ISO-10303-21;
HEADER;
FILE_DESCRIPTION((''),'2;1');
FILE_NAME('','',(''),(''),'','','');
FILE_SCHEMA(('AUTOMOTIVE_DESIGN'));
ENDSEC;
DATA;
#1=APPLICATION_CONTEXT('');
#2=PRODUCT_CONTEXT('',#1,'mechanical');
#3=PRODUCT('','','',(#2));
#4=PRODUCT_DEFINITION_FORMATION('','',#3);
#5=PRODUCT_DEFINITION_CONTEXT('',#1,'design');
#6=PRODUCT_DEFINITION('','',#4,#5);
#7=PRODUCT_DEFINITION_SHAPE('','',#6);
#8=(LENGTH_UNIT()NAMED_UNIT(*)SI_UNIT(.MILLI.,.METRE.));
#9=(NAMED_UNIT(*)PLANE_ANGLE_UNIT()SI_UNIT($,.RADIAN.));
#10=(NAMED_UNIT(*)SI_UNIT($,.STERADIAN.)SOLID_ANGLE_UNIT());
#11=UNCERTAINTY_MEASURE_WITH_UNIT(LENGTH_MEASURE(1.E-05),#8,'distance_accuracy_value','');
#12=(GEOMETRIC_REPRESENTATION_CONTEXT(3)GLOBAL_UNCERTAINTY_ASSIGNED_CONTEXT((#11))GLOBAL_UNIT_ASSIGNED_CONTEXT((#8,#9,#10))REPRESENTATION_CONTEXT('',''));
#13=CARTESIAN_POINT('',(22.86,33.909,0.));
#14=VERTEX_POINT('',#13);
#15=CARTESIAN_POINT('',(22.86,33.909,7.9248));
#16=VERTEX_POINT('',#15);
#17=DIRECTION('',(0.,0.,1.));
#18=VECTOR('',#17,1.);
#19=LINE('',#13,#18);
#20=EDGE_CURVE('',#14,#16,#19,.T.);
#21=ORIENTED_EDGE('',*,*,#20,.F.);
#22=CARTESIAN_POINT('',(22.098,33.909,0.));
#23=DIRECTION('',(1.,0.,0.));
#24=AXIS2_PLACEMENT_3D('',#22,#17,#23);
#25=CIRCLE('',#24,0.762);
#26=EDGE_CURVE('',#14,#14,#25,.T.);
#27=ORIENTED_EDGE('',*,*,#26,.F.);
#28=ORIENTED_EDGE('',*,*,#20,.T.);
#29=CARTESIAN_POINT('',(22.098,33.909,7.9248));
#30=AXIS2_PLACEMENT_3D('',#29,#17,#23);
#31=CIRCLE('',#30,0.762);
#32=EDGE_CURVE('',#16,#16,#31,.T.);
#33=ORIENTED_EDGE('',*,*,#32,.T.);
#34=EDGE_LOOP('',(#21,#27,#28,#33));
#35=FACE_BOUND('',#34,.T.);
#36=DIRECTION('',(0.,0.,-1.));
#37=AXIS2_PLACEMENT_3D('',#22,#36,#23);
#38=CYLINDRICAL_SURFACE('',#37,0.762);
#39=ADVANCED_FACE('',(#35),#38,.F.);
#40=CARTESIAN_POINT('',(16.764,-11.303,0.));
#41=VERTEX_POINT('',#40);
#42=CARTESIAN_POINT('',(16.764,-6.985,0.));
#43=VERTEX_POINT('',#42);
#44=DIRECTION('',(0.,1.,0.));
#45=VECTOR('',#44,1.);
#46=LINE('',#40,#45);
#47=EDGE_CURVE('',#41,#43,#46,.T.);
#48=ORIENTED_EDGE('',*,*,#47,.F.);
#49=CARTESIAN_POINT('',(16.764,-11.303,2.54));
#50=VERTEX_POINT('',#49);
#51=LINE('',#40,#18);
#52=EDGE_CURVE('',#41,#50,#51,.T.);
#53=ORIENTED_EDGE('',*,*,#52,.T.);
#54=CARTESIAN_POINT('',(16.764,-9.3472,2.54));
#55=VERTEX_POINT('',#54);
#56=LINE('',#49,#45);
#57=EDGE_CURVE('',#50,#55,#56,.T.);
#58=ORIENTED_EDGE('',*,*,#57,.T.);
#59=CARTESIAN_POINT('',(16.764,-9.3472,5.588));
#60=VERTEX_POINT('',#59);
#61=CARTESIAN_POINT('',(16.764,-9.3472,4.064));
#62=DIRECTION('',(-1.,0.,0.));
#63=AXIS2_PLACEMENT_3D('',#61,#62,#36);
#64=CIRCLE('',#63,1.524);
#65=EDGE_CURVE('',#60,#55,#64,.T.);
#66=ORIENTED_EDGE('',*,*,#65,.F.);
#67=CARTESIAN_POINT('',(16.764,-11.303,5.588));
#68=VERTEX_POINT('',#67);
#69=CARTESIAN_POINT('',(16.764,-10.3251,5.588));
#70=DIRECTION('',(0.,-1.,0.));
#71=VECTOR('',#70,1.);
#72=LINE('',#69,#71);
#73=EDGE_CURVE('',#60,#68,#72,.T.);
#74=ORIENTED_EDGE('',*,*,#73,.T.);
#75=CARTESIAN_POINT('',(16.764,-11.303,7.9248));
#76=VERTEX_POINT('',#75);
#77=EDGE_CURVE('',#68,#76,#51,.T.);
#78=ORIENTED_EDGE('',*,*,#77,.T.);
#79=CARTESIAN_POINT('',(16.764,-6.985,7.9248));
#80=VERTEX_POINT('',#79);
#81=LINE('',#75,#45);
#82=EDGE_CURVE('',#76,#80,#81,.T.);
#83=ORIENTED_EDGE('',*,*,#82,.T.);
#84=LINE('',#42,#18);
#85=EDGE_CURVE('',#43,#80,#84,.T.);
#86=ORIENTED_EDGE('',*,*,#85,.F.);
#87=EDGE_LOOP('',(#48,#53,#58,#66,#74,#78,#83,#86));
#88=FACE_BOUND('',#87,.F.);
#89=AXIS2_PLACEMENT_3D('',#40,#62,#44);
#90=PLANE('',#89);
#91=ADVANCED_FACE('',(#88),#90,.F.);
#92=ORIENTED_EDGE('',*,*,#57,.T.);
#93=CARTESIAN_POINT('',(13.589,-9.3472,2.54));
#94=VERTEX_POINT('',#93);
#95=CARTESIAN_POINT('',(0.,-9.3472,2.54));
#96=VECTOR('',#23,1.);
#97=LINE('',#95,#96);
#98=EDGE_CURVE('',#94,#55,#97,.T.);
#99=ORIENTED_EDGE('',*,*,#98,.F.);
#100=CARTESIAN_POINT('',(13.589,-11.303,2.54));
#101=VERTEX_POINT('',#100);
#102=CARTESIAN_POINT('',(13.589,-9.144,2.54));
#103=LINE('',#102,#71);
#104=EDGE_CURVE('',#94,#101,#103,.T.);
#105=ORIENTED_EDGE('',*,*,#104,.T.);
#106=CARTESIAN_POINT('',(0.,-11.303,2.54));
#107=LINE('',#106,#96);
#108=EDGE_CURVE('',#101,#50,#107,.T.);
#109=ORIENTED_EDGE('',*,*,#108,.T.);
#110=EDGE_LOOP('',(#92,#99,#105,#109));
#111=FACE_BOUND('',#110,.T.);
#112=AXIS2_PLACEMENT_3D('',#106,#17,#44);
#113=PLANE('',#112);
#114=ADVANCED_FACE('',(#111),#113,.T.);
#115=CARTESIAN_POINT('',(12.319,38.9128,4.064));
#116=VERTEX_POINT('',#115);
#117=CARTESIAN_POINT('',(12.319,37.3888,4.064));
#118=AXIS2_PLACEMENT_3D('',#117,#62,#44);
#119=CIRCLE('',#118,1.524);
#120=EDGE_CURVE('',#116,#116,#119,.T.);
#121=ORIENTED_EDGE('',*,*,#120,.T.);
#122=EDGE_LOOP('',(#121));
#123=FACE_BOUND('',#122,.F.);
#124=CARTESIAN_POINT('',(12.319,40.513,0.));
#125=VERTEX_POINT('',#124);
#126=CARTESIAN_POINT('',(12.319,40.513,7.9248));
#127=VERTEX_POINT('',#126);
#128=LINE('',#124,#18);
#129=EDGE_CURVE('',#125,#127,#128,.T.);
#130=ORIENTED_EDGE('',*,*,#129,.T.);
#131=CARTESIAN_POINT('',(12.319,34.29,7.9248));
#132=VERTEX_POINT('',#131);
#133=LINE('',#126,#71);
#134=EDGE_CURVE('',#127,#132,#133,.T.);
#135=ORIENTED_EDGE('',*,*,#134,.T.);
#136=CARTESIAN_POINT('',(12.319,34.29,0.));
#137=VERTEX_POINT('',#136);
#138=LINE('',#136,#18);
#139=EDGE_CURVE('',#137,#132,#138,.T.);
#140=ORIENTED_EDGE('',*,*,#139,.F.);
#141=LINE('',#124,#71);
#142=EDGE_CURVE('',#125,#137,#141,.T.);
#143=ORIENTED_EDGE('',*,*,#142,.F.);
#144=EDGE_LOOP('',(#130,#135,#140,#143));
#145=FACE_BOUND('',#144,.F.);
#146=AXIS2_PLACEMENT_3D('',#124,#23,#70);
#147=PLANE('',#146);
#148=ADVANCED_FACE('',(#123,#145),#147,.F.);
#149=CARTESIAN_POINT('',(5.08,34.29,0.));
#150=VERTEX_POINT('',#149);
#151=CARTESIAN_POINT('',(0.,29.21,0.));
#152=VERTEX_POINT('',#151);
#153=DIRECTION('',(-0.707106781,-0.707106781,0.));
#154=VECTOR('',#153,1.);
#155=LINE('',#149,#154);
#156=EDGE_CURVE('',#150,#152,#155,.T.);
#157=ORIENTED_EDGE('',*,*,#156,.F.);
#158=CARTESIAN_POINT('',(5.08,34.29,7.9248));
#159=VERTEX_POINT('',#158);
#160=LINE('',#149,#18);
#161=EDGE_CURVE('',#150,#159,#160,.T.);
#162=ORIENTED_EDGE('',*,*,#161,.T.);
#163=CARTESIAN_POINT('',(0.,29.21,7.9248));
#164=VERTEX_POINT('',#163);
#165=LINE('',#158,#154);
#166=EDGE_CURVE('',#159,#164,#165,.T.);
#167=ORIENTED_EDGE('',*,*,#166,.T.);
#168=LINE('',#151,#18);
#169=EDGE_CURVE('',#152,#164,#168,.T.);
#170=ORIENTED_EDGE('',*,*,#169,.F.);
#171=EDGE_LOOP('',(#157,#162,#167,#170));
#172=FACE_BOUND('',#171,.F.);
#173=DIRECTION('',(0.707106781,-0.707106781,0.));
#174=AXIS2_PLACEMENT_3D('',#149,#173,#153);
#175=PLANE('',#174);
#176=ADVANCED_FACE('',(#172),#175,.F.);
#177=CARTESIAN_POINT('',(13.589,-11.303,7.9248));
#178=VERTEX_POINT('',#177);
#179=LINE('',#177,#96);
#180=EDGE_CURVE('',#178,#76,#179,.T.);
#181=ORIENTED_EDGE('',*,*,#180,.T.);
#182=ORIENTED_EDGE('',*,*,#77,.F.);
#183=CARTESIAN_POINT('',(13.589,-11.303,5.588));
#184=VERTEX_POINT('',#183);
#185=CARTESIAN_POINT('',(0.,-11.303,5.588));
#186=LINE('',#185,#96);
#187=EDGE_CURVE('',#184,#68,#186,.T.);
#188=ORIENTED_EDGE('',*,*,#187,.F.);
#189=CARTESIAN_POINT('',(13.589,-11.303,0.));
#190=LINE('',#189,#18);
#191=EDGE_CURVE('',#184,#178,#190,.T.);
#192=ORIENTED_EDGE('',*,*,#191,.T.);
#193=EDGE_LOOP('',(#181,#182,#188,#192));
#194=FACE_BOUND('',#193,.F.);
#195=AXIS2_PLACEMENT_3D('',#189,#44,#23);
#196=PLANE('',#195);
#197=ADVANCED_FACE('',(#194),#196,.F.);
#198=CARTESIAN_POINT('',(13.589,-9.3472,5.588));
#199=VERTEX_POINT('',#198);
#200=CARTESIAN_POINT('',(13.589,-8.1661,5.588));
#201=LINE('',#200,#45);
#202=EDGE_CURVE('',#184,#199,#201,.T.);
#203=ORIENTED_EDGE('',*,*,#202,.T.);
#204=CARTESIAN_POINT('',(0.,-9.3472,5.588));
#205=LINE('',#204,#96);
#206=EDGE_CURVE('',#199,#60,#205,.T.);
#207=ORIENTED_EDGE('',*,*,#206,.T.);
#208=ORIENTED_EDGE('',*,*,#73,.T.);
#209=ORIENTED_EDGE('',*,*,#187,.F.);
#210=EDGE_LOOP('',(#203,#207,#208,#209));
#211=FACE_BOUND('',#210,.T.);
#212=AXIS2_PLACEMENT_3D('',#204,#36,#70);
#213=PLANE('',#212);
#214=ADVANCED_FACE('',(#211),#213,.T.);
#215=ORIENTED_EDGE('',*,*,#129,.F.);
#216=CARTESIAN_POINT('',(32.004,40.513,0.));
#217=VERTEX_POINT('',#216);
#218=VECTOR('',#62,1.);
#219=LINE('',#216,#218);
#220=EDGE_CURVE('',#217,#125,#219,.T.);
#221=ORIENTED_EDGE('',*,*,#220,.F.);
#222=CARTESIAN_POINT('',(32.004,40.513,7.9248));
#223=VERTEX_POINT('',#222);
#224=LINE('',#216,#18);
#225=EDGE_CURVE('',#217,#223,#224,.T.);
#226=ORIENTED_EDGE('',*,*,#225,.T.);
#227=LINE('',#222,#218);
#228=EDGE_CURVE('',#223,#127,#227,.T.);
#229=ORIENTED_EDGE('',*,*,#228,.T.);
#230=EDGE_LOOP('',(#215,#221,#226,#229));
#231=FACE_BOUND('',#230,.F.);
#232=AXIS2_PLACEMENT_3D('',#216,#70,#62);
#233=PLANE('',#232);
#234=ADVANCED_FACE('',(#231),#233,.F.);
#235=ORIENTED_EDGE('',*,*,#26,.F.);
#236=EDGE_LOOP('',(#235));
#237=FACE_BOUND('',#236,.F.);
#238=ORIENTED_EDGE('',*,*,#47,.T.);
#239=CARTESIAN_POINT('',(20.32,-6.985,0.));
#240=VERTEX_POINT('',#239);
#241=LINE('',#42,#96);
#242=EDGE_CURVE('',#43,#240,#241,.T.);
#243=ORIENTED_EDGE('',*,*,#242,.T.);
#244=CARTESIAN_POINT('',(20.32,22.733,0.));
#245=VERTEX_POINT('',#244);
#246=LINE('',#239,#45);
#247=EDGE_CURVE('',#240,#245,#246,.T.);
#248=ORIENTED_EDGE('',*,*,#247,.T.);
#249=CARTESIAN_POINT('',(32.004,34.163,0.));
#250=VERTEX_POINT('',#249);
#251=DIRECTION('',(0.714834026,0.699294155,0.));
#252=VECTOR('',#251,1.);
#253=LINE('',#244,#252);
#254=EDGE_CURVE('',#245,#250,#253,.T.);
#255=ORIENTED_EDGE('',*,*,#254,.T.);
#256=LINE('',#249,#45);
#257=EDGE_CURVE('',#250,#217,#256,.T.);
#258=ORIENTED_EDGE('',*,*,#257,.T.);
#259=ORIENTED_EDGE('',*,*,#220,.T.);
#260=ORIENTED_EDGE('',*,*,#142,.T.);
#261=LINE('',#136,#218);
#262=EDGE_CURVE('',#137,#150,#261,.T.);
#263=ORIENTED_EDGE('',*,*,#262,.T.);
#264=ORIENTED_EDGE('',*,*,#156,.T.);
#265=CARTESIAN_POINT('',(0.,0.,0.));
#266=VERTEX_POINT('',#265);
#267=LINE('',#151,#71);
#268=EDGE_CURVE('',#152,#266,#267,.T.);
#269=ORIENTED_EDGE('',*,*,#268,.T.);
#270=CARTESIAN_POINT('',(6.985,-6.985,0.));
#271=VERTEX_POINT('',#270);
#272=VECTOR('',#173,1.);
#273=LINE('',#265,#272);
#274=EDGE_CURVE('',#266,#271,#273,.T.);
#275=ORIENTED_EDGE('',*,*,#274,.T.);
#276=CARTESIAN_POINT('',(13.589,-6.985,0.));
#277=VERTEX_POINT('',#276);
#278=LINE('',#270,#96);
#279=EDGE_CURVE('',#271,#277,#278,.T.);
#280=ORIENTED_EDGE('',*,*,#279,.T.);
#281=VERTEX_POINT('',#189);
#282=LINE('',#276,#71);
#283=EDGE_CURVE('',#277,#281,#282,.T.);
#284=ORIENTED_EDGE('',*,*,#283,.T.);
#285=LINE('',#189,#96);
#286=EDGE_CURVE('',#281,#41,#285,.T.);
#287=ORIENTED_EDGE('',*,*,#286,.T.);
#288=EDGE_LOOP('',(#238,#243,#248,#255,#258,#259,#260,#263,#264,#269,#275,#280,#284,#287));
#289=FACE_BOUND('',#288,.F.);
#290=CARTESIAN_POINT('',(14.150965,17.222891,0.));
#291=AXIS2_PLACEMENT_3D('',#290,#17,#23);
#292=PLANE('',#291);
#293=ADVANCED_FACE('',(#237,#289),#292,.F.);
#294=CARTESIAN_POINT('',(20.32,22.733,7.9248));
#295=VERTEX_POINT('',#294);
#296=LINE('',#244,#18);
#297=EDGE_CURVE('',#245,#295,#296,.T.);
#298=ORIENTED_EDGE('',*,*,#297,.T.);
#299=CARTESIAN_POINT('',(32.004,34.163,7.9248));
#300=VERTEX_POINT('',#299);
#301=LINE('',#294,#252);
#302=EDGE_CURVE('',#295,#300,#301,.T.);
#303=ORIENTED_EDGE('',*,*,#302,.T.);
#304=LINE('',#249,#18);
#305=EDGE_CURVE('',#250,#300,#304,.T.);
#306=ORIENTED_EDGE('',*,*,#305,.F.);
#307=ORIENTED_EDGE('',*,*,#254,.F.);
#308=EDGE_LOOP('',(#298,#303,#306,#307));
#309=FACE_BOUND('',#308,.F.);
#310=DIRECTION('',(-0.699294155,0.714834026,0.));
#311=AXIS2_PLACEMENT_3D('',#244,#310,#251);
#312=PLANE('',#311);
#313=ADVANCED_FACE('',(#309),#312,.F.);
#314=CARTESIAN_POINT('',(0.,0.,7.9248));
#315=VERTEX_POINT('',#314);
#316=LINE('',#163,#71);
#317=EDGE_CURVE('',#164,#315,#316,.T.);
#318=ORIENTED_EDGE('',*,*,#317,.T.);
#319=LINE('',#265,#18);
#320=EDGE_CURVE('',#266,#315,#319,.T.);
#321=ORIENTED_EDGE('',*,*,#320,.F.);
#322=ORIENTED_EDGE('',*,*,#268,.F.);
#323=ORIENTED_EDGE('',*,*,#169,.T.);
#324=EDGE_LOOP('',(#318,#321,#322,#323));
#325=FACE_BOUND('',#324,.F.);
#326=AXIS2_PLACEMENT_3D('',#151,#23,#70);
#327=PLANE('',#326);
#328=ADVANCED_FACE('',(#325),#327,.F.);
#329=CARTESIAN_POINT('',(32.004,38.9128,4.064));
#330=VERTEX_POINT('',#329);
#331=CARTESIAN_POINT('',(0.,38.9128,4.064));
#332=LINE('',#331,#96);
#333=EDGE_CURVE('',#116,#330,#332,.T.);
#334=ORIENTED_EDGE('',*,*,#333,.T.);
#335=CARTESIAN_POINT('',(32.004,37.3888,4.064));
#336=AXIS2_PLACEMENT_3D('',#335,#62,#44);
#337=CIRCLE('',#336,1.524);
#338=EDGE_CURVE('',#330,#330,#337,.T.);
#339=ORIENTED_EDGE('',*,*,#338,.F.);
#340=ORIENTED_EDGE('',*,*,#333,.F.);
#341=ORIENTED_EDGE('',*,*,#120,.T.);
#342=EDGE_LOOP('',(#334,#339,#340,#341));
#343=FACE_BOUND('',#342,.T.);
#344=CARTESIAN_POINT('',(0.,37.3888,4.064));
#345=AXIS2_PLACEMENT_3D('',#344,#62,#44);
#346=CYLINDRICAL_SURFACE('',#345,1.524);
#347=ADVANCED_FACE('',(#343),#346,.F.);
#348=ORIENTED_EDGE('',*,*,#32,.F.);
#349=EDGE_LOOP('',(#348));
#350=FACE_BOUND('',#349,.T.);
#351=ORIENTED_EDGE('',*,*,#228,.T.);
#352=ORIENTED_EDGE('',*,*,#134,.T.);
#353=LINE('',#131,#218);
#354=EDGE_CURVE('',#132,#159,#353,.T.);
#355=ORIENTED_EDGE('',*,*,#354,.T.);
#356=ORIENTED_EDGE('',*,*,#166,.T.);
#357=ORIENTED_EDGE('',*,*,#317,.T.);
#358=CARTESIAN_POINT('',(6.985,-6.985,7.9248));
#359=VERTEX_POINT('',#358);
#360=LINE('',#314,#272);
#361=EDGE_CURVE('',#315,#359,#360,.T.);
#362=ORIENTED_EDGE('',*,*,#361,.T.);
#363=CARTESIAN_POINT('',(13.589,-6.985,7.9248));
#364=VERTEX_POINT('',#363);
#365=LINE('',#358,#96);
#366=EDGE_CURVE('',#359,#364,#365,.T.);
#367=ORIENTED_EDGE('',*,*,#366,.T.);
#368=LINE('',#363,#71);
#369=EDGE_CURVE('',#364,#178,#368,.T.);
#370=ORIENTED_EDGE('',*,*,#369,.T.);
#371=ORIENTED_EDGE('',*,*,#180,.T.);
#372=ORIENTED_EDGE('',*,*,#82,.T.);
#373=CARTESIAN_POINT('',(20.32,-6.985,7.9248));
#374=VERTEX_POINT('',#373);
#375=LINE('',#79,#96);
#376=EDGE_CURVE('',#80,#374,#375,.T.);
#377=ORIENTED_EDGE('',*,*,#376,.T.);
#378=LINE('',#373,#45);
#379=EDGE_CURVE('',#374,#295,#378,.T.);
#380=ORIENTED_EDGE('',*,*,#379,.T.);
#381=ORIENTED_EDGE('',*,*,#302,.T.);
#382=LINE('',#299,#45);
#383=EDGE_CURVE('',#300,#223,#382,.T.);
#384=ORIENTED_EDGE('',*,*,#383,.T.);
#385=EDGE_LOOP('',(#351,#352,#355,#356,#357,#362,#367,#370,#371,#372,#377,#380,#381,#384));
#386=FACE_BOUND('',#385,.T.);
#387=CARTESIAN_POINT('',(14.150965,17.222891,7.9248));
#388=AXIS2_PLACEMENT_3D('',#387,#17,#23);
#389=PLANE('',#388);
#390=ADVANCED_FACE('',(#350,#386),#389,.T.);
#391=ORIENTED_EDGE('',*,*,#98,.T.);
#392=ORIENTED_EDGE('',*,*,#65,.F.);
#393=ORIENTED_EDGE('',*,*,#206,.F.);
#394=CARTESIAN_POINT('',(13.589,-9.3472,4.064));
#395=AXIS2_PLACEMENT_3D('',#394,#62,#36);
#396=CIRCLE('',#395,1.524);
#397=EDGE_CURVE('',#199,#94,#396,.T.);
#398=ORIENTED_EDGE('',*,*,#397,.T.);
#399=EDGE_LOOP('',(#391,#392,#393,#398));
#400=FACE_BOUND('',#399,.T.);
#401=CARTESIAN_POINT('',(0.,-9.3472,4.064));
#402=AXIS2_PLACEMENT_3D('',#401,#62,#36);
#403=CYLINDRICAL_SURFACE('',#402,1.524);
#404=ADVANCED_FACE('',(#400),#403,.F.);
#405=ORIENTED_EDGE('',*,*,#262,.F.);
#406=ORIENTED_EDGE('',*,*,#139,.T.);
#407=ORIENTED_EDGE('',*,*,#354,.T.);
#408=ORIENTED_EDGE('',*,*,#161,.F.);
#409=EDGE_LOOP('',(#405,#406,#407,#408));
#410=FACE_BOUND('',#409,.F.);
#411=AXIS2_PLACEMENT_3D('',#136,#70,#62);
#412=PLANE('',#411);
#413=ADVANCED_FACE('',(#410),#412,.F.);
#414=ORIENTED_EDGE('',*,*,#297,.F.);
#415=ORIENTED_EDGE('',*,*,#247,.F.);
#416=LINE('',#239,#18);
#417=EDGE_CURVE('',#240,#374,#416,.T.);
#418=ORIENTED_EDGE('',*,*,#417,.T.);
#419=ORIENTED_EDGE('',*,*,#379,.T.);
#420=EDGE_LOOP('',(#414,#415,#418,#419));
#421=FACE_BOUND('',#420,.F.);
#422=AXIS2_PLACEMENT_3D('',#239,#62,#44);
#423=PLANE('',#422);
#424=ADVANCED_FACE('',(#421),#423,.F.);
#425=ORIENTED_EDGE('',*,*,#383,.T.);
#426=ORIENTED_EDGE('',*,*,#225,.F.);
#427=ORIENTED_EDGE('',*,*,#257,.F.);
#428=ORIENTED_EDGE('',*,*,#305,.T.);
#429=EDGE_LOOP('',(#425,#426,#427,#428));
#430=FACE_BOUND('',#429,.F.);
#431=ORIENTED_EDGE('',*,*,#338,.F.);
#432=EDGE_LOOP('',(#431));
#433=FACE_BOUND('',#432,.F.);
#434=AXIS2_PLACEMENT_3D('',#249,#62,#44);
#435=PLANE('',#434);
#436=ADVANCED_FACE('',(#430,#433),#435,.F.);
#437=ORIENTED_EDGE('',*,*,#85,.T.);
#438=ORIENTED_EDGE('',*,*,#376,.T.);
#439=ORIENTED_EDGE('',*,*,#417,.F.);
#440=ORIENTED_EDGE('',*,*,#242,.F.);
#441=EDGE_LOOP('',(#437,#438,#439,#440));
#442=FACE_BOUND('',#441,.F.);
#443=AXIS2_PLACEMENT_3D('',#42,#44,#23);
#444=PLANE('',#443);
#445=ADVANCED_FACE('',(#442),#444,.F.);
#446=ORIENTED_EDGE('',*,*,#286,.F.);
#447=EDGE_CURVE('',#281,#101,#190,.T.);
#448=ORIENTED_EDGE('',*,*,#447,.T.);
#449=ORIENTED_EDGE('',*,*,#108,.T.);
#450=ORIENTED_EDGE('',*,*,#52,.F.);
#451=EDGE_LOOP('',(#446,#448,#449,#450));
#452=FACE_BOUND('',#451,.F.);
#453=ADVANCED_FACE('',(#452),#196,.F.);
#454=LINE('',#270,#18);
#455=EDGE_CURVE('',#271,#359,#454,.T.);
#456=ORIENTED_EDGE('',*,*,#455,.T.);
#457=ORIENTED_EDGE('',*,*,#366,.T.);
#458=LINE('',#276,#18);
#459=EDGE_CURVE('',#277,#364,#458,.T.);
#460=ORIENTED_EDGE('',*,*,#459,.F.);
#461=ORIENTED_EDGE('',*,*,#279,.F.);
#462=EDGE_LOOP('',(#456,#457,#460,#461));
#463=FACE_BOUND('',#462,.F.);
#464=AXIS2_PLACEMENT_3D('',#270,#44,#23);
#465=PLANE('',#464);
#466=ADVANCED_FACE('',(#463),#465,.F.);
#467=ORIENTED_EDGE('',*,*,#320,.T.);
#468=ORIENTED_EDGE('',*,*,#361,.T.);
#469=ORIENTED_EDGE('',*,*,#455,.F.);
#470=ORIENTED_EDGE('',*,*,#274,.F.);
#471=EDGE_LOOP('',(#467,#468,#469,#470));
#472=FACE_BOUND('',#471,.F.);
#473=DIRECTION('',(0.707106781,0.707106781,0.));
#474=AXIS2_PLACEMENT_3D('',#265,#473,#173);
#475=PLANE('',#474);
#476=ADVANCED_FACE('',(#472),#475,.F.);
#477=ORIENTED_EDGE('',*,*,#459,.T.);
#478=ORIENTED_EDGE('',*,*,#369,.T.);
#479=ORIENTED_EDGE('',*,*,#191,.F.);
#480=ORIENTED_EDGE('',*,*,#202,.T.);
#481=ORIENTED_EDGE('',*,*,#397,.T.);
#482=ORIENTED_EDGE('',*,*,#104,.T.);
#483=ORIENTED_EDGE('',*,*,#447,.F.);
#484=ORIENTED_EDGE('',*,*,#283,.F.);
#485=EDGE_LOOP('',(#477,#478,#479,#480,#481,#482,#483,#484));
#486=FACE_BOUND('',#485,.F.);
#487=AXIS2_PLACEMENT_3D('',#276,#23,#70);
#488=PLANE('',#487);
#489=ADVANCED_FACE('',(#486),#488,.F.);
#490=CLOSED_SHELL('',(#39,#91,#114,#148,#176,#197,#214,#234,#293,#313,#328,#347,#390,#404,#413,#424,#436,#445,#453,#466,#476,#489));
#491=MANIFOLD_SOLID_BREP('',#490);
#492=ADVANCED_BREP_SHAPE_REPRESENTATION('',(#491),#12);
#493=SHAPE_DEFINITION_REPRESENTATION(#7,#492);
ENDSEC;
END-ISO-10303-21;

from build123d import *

# Parameters (mm, degrees)
F0_R     = 0.762
F1_DEPTH = 7.9248
F2_R     = 1.524
F3_DEPTH = 32.005


with BuildPart() as f1:
    # F0 (on Top) → F1 (new body)
    with BuildSketch(Plane.XY):
        Polygon((32.004, 34.163), (32.004, 40.513), (12.319, 40.513), (12.319, 34.29), (5.08, 34.29), (0, 29.21), (0, 0), (6.985, -6.985), (13.589, -6.985), (13.589, -11.303), (16.764, -11.303), (16.764, -6.985), (20.32, -6.985), (20.32, 22.733), align=None)
        with Locations((22.098, 33.909)):
            Circle(F0_R, mode=Mode.SUBTRACT)
    extrude(amount=F1_DEPTH)

    # F2 (on Right) → F3 (cut, through all)
    with BuildSketch(Plane.YZ):
        with Locations((37.3888, 4.064)):
            Circle(F2_R)
        with BuildLine():
            Line((-11.303, 2.54), (-9.3472, 2.54))
            ThreePointArc((-9.3472, 2.54), (-7.8232, 4.064), (-9.3472, 5.588))
            Line((-9.3472, 5.588), (-11.303, 5.588))
            Line((-11.303, 5.588), (-11.303, 2.54))
        make_face()
    extrude(amount=F3_DEPTH, mode=Mode.SUBTRACT)


solid = f1.part
